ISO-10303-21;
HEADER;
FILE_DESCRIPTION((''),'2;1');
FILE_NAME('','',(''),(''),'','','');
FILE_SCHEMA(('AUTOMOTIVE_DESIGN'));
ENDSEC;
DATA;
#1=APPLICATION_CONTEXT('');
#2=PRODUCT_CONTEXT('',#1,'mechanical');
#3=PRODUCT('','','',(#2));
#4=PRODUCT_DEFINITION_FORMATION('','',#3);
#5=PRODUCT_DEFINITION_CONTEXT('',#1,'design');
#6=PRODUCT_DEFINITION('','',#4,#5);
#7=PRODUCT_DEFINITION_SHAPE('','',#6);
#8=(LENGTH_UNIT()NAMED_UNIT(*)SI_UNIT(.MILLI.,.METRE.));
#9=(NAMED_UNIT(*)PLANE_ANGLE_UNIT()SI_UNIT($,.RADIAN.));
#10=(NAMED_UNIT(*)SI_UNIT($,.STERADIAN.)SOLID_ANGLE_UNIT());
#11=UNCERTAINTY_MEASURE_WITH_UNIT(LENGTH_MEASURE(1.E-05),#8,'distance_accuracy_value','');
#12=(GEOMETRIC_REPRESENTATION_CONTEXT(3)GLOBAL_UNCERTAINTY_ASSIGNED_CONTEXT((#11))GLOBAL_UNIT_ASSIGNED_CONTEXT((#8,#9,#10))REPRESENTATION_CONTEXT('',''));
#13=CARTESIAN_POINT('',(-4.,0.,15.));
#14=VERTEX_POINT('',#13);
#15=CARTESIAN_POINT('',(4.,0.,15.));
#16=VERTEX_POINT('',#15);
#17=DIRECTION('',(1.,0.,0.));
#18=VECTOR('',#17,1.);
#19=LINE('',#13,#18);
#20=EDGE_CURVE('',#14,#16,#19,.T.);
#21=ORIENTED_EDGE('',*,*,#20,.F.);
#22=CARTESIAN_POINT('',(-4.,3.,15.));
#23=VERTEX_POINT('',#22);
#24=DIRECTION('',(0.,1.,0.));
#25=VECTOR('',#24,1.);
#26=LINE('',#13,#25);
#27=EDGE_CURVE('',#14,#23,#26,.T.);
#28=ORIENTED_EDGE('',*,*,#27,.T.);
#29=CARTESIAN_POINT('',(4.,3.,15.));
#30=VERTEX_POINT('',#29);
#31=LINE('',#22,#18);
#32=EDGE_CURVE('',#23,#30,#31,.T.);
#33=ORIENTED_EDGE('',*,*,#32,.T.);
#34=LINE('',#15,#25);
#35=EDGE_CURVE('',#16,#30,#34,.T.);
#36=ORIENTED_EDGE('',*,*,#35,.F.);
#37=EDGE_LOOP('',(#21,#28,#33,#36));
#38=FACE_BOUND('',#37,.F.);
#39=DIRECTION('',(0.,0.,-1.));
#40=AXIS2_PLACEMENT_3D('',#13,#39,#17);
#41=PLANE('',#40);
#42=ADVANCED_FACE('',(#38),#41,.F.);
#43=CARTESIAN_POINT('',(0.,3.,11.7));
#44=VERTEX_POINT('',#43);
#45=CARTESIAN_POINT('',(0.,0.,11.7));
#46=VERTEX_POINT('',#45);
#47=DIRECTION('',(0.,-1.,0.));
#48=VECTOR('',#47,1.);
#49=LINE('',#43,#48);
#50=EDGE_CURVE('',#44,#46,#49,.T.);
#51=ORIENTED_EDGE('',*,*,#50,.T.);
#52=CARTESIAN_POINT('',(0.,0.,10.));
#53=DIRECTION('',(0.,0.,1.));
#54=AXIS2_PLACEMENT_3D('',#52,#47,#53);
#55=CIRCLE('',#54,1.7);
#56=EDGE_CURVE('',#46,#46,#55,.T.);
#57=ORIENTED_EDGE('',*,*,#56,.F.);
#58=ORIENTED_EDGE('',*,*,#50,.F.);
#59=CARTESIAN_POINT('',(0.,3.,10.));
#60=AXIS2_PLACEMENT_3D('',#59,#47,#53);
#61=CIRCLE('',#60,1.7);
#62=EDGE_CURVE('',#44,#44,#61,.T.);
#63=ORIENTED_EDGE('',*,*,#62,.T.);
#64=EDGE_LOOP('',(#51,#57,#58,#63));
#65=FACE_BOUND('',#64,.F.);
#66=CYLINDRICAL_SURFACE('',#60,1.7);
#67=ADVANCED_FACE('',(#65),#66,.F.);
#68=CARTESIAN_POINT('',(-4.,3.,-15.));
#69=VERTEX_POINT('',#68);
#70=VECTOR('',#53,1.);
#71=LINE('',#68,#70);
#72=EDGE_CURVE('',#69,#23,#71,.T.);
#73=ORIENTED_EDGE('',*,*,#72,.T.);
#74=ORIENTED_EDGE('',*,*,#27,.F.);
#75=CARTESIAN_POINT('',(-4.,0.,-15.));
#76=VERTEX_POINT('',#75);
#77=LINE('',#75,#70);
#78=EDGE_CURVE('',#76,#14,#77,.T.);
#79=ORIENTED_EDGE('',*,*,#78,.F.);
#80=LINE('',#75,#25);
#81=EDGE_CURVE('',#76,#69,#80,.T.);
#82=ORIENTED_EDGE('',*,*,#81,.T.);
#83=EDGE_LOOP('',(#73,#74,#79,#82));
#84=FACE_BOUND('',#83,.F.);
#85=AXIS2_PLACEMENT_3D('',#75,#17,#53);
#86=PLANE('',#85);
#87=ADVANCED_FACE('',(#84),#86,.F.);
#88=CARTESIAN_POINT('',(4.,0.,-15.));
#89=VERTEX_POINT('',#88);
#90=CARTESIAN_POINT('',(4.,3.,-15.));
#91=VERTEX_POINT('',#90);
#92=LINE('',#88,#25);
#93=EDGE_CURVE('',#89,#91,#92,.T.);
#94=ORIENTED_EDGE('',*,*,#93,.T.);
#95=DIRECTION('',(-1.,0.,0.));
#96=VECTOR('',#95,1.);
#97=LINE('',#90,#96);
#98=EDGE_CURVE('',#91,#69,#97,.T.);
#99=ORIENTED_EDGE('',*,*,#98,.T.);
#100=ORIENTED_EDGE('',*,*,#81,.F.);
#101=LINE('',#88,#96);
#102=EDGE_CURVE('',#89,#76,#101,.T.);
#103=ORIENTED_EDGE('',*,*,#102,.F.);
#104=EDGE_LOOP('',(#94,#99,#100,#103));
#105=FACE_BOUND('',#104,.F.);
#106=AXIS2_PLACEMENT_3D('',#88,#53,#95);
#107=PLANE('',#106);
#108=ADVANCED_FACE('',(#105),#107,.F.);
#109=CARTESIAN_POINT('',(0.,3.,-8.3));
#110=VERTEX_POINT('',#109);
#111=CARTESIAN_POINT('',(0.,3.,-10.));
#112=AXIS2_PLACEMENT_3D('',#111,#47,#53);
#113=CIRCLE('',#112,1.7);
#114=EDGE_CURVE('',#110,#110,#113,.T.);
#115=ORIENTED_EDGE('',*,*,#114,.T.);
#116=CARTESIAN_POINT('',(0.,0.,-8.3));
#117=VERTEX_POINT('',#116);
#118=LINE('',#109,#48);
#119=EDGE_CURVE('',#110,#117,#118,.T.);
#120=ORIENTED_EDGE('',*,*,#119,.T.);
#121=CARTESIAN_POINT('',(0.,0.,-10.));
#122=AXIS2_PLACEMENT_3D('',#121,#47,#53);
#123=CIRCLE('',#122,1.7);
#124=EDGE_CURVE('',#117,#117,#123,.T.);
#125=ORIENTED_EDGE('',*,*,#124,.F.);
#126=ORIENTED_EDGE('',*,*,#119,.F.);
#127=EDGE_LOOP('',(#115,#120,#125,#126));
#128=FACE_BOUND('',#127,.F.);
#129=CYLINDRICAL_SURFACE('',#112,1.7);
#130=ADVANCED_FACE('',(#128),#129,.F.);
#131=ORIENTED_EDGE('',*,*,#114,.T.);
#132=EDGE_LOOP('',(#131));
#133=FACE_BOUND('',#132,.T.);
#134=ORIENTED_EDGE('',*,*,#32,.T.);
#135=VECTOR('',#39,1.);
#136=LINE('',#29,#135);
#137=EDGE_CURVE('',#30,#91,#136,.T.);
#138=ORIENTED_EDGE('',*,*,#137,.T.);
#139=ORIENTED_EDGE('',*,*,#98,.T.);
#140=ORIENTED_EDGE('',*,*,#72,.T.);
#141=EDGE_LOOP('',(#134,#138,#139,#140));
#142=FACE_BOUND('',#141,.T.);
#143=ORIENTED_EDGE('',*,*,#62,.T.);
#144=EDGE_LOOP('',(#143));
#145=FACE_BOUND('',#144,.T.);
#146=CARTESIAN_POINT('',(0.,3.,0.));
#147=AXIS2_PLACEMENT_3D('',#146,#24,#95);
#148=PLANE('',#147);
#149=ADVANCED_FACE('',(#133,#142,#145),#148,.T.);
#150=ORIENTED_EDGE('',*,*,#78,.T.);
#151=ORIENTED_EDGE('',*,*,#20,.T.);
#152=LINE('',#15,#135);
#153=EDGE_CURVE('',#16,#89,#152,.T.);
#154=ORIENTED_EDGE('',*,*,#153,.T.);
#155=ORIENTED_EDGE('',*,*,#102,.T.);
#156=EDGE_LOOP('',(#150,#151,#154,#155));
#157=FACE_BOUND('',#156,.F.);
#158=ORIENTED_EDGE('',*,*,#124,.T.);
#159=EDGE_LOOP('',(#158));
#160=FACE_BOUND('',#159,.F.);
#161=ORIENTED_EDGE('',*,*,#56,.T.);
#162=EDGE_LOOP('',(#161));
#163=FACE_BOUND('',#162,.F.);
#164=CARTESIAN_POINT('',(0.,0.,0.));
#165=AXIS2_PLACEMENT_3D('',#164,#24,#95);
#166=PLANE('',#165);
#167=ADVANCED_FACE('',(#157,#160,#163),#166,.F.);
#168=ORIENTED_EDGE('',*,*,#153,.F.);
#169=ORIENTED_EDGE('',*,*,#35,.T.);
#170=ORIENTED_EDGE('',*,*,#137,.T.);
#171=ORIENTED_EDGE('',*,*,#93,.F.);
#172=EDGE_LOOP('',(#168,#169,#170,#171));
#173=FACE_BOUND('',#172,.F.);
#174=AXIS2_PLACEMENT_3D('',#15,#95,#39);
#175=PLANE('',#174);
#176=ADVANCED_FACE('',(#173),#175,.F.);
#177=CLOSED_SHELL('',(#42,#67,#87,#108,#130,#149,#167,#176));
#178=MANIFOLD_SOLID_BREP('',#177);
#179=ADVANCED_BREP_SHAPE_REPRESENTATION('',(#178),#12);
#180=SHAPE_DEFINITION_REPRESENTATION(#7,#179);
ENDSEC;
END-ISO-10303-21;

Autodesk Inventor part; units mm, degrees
ref_plane "YZ Plane" through (0, 0, 0) normal (1, 0, 0) x (0, 1, 0)
ref_plane "XZ Plane" through (0, 0, 0) normal (0, 1, 0) x (-1, 0, 0)
ref_plane "XY Plane" through (0, 0, 0) normal (0, 0, 1) x (1, 0, 0)
sketch "Sketch1" plane through (0, 0, 0) normal (0, 1, 0) x (-1, 0, 0)
  line L0 (-4, -15) -> (4, -15)
  line L1 (4, -15) -> (4, 15)
  line L2 (4, 15) -> (-4, 15)
  line L3 (-4, 15) -> (-4, -15)
  line L4 (-4, -15) -> (4, 15) construction
  line L5 (4, -15) -> (-4, 15) construction
  point P0 (0, 0)
  dimension "d0" = 8
  dimension "d1" = 30
extrude "Extrusion1" add sketch "Sketch1" along normal blind 3
sketch "Sketch3" plane through (0, 3, 0) normal (0, 1, 0) x (1, 0, 0)
  line L0 (-4, -15) -> (4, -15) projected
  line L1 (0, -15) -> (0, 15) construction
  line L2 (4, 15) -> (-4, 15) projected
  point P0 (0, 0)
  point P1 (0, -10)
  point P2 (0, 10)
  dimension "d8" = 5
  dimension "d9" = 5
hole "Hole1" at (0, 3, 10) at (0, 3, -10) direction (0, -1, 0) diameter 3.4 end through all clearance for "Socket Head Cap Screw ISO 4762" size "M3" standard "ISO"
properties part number "turning clip top"
